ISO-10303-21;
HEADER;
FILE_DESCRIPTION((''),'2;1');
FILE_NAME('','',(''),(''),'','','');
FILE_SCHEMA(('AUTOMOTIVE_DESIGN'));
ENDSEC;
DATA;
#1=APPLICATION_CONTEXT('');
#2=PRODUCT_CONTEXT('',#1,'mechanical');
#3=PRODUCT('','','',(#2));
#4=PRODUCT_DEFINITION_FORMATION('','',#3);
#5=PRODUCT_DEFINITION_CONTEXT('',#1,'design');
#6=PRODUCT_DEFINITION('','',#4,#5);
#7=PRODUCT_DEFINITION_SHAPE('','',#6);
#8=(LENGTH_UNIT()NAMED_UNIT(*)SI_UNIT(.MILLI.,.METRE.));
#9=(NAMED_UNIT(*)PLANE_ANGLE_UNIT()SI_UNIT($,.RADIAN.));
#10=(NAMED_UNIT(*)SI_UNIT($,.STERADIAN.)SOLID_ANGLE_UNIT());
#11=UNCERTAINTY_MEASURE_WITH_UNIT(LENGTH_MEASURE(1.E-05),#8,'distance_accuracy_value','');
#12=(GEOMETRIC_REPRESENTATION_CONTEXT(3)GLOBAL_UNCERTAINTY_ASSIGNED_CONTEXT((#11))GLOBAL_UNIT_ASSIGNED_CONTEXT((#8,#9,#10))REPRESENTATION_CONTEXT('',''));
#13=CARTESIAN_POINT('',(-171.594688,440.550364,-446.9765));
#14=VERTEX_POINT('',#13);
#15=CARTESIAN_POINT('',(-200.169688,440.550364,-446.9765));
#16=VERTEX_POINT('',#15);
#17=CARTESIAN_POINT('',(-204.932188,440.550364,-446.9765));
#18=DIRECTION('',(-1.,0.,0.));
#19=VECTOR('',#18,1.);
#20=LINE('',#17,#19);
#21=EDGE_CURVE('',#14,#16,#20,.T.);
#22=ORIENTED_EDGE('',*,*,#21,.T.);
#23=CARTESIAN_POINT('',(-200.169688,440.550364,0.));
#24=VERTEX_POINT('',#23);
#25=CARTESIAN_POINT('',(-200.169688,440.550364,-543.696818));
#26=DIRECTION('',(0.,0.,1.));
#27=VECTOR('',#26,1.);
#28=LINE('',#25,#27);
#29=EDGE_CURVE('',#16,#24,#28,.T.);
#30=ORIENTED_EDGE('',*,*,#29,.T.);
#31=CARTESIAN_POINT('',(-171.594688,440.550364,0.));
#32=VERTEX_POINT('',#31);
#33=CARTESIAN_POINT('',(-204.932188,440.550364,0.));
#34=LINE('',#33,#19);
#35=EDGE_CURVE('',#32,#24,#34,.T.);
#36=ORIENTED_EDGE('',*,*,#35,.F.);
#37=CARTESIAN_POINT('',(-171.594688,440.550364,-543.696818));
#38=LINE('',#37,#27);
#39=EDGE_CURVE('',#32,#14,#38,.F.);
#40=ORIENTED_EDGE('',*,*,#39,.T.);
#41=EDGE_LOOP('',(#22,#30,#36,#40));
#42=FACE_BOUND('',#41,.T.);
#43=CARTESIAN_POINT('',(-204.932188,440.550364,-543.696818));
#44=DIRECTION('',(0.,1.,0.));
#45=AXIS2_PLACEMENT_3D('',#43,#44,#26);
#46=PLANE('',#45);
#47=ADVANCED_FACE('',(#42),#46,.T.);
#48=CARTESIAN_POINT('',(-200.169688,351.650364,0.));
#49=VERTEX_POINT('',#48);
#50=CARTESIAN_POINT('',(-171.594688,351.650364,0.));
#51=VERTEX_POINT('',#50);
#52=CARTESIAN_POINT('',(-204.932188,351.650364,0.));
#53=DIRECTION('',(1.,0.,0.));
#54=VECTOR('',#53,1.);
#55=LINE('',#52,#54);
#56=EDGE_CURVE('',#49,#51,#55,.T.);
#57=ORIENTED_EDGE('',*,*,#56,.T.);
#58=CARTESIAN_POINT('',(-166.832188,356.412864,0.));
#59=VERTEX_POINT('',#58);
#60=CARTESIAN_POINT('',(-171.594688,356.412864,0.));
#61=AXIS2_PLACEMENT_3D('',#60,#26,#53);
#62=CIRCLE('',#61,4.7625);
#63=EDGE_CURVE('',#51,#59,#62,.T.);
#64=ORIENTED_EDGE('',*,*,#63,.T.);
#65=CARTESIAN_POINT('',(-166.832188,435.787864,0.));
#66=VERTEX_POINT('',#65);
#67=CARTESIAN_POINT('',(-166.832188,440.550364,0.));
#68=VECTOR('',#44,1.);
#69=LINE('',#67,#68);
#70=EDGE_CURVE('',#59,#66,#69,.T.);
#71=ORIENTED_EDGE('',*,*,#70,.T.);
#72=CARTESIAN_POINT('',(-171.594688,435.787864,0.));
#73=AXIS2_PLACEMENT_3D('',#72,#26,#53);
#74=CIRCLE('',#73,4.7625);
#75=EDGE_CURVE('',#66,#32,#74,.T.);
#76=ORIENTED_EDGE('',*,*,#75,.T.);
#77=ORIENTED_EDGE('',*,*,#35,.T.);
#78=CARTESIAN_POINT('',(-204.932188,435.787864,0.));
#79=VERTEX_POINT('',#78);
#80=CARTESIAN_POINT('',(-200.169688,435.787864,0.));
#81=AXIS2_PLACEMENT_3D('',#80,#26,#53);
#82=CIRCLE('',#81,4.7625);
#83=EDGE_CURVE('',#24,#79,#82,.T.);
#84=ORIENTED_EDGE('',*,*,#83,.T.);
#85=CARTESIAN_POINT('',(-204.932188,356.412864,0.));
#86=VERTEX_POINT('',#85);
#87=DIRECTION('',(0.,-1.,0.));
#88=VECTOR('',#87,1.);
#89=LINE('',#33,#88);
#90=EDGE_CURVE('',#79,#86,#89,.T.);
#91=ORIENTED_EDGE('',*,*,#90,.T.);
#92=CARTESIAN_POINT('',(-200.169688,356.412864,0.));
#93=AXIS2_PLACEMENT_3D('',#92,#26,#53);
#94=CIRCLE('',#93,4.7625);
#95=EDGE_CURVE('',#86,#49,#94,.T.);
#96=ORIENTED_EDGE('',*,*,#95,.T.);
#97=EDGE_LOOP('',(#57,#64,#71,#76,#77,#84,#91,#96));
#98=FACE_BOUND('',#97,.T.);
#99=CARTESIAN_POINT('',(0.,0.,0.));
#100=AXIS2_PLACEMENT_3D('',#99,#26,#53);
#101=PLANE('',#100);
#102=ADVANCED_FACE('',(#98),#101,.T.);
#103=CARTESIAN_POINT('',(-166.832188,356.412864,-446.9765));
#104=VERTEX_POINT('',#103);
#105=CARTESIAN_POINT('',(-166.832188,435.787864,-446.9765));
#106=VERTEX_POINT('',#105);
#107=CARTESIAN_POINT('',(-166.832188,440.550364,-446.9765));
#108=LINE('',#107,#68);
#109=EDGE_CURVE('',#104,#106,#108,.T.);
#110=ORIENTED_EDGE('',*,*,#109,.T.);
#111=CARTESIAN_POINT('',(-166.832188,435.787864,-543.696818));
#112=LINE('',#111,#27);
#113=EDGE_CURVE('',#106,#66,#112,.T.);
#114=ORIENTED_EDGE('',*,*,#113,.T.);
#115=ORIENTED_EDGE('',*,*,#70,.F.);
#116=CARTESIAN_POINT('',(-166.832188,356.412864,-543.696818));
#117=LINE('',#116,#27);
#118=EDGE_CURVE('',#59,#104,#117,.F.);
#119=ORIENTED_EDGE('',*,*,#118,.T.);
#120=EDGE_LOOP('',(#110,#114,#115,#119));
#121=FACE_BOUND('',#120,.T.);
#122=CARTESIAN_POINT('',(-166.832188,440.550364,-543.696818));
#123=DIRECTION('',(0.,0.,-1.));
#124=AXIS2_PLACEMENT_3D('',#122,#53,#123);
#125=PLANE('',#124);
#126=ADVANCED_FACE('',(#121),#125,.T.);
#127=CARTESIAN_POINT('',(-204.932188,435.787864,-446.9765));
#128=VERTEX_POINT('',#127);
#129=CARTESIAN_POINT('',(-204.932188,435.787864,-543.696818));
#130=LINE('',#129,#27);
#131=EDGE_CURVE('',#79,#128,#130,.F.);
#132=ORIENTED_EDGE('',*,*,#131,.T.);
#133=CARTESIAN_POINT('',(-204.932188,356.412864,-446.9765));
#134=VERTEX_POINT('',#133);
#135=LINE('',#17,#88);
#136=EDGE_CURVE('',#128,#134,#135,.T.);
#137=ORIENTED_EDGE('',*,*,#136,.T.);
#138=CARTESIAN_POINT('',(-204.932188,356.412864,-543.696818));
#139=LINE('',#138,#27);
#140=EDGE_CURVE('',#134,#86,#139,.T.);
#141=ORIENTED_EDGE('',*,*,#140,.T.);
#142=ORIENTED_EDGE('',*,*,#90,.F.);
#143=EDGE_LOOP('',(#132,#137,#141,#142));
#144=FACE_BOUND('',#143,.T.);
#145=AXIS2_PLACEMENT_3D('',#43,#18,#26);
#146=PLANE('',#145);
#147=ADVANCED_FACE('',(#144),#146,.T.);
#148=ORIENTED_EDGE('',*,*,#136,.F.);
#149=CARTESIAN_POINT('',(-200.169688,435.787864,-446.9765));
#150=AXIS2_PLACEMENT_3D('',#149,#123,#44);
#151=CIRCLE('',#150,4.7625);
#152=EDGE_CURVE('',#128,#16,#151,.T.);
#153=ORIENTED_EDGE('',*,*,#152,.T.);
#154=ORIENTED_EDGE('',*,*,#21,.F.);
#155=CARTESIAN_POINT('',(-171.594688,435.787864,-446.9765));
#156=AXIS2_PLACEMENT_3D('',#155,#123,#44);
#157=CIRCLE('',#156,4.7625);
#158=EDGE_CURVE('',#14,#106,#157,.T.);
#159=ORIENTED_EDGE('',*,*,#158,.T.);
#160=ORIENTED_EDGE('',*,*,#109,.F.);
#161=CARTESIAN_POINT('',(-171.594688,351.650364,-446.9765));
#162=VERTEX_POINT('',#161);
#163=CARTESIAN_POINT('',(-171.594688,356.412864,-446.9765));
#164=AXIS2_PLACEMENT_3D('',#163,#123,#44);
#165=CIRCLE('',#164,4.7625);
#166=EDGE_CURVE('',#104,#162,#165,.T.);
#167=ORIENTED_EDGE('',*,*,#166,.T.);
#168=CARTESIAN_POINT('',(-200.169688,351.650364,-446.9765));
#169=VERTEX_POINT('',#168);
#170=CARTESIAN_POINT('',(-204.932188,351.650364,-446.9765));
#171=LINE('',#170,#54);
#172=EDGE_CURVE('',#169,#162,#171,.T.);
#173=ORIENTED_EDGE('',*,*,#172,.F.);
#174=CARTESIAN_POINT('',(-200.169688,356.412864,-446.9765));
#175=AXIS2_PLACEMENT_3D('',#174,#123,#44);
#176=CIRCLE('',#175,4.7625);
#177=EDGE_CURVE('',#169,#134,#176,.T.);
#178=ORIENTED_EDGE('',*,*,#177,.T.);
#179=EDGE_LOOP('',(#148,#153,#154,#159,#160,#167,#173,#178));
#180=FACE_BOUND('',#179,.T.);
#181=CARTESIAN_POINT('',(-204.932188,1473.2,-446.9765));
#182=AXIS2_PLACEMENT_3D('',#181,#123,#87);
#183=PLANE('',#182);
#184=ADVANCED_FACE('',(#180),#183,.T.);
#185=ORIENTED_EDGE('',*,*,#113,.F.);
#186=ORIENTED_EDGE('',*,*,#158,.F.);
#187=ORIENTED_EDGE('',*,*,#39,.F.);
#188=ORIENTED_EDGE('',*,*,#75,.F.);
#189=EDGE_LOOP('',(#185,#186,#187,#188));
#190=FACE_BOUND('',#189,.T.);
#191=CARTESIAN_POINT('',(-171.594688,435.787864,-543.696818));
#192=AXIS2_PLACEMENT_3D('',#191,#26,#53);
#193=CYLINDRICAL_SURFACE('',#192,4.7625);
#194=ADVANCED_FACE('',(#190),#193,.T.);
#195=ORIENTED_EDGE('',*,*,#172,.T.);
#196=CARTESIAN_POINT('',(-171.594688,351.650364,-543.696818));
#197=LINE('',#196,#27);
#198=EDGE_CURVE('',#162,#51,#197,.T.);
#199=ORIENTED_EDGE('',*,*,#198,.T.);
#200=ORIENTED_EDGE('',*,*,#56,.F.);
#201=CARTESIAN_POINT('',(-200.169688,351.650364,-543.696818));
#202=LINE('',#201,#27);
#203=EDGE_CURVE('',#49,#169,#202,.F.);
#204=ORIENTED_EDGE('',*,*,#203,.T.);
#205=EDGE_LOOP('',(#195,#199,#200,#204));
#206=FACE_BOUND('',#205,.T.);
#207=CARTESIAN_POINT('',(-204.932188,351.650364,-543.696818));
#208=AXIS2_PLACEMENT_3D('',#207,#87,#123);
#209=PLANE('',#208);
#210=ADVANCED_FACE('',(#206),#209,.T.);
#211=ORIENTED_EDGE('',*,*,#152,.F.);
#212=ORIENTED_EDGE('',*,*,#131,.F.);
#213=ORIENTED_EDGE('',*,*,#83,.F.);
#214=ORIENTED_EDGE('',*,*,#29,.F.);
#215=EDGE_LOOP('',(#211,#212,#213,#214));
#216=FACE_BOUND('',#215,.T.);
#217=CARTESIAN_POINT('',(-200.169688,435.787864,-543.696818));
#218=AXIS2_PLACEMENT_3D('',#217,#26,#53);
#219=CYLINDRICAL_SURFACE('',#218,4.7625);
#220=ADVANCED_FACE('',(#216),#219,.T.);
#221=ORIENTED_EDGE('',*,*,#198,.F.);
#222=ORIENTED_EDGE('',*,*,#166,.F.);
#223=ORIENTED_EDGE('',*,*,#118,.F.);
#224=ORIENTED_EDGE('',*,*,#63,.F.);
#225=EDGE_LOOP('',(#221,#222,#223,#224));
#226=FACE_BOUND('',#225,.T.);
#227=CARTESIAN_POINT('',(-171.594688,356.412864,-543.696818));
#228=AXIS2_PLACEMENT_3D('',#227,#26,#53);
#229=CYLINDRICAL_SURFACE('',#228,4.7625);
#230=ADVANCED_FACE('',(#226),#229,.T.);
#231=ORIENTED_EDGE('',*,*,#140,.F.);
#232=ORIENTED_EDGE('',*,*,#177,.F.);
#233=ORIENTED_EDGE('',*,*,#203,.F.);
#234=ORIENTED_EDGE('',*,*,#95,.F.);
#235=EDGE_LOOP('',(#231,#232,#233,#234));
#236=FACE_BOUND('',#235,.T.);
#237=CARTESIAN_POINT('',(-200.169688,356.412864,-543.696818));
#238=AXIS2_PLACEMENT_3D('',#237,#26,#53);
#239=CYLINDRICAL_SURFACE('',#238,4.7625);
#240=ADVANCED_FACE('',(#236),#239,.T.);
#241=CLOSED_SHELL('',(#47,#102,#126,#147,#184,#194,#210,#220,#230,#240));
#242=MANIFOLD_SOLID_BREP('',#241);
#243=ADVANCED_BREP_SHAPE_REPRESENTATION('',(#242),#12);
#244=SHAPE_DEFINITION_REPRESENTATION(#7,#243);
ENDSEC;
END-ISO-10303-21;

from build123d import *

# Parameters (mm, degrees)
SKETCH1_W           = 38.1
SKETCH1_H           = 88.9
BOSS_EXTRUDE1_DEPTH = 446.9765
FILLET1_R           = 4.7625


with BuildPart() as part:
    # Sketch1 → Boss-Extrude1 (new body)
    with BuildSketch(Plane.XY):
        with Locations((-185.882187925, 396.100363878)):
            Rectangle(SKETCH1_W, SKETCH1_H)
    extrude(amount=-BOSS_EXTRUDE1_DEPTH)

    # Fillet1
    fillet1_edges = [part.edges().sort_by_distance(p)[0] for p in [
        (-204.932187925, 351.650363878, -223.48825),
        (-166.832187925, 351.650363878, -223.48825),
        (-166.832187925, 440.550363878, -223.48825),
        (-204.932187925, 440.550363878, -223.48825),
    ]]
    fillet(fillet1_edges, radius=FILLET1_R)


solid = part.part
